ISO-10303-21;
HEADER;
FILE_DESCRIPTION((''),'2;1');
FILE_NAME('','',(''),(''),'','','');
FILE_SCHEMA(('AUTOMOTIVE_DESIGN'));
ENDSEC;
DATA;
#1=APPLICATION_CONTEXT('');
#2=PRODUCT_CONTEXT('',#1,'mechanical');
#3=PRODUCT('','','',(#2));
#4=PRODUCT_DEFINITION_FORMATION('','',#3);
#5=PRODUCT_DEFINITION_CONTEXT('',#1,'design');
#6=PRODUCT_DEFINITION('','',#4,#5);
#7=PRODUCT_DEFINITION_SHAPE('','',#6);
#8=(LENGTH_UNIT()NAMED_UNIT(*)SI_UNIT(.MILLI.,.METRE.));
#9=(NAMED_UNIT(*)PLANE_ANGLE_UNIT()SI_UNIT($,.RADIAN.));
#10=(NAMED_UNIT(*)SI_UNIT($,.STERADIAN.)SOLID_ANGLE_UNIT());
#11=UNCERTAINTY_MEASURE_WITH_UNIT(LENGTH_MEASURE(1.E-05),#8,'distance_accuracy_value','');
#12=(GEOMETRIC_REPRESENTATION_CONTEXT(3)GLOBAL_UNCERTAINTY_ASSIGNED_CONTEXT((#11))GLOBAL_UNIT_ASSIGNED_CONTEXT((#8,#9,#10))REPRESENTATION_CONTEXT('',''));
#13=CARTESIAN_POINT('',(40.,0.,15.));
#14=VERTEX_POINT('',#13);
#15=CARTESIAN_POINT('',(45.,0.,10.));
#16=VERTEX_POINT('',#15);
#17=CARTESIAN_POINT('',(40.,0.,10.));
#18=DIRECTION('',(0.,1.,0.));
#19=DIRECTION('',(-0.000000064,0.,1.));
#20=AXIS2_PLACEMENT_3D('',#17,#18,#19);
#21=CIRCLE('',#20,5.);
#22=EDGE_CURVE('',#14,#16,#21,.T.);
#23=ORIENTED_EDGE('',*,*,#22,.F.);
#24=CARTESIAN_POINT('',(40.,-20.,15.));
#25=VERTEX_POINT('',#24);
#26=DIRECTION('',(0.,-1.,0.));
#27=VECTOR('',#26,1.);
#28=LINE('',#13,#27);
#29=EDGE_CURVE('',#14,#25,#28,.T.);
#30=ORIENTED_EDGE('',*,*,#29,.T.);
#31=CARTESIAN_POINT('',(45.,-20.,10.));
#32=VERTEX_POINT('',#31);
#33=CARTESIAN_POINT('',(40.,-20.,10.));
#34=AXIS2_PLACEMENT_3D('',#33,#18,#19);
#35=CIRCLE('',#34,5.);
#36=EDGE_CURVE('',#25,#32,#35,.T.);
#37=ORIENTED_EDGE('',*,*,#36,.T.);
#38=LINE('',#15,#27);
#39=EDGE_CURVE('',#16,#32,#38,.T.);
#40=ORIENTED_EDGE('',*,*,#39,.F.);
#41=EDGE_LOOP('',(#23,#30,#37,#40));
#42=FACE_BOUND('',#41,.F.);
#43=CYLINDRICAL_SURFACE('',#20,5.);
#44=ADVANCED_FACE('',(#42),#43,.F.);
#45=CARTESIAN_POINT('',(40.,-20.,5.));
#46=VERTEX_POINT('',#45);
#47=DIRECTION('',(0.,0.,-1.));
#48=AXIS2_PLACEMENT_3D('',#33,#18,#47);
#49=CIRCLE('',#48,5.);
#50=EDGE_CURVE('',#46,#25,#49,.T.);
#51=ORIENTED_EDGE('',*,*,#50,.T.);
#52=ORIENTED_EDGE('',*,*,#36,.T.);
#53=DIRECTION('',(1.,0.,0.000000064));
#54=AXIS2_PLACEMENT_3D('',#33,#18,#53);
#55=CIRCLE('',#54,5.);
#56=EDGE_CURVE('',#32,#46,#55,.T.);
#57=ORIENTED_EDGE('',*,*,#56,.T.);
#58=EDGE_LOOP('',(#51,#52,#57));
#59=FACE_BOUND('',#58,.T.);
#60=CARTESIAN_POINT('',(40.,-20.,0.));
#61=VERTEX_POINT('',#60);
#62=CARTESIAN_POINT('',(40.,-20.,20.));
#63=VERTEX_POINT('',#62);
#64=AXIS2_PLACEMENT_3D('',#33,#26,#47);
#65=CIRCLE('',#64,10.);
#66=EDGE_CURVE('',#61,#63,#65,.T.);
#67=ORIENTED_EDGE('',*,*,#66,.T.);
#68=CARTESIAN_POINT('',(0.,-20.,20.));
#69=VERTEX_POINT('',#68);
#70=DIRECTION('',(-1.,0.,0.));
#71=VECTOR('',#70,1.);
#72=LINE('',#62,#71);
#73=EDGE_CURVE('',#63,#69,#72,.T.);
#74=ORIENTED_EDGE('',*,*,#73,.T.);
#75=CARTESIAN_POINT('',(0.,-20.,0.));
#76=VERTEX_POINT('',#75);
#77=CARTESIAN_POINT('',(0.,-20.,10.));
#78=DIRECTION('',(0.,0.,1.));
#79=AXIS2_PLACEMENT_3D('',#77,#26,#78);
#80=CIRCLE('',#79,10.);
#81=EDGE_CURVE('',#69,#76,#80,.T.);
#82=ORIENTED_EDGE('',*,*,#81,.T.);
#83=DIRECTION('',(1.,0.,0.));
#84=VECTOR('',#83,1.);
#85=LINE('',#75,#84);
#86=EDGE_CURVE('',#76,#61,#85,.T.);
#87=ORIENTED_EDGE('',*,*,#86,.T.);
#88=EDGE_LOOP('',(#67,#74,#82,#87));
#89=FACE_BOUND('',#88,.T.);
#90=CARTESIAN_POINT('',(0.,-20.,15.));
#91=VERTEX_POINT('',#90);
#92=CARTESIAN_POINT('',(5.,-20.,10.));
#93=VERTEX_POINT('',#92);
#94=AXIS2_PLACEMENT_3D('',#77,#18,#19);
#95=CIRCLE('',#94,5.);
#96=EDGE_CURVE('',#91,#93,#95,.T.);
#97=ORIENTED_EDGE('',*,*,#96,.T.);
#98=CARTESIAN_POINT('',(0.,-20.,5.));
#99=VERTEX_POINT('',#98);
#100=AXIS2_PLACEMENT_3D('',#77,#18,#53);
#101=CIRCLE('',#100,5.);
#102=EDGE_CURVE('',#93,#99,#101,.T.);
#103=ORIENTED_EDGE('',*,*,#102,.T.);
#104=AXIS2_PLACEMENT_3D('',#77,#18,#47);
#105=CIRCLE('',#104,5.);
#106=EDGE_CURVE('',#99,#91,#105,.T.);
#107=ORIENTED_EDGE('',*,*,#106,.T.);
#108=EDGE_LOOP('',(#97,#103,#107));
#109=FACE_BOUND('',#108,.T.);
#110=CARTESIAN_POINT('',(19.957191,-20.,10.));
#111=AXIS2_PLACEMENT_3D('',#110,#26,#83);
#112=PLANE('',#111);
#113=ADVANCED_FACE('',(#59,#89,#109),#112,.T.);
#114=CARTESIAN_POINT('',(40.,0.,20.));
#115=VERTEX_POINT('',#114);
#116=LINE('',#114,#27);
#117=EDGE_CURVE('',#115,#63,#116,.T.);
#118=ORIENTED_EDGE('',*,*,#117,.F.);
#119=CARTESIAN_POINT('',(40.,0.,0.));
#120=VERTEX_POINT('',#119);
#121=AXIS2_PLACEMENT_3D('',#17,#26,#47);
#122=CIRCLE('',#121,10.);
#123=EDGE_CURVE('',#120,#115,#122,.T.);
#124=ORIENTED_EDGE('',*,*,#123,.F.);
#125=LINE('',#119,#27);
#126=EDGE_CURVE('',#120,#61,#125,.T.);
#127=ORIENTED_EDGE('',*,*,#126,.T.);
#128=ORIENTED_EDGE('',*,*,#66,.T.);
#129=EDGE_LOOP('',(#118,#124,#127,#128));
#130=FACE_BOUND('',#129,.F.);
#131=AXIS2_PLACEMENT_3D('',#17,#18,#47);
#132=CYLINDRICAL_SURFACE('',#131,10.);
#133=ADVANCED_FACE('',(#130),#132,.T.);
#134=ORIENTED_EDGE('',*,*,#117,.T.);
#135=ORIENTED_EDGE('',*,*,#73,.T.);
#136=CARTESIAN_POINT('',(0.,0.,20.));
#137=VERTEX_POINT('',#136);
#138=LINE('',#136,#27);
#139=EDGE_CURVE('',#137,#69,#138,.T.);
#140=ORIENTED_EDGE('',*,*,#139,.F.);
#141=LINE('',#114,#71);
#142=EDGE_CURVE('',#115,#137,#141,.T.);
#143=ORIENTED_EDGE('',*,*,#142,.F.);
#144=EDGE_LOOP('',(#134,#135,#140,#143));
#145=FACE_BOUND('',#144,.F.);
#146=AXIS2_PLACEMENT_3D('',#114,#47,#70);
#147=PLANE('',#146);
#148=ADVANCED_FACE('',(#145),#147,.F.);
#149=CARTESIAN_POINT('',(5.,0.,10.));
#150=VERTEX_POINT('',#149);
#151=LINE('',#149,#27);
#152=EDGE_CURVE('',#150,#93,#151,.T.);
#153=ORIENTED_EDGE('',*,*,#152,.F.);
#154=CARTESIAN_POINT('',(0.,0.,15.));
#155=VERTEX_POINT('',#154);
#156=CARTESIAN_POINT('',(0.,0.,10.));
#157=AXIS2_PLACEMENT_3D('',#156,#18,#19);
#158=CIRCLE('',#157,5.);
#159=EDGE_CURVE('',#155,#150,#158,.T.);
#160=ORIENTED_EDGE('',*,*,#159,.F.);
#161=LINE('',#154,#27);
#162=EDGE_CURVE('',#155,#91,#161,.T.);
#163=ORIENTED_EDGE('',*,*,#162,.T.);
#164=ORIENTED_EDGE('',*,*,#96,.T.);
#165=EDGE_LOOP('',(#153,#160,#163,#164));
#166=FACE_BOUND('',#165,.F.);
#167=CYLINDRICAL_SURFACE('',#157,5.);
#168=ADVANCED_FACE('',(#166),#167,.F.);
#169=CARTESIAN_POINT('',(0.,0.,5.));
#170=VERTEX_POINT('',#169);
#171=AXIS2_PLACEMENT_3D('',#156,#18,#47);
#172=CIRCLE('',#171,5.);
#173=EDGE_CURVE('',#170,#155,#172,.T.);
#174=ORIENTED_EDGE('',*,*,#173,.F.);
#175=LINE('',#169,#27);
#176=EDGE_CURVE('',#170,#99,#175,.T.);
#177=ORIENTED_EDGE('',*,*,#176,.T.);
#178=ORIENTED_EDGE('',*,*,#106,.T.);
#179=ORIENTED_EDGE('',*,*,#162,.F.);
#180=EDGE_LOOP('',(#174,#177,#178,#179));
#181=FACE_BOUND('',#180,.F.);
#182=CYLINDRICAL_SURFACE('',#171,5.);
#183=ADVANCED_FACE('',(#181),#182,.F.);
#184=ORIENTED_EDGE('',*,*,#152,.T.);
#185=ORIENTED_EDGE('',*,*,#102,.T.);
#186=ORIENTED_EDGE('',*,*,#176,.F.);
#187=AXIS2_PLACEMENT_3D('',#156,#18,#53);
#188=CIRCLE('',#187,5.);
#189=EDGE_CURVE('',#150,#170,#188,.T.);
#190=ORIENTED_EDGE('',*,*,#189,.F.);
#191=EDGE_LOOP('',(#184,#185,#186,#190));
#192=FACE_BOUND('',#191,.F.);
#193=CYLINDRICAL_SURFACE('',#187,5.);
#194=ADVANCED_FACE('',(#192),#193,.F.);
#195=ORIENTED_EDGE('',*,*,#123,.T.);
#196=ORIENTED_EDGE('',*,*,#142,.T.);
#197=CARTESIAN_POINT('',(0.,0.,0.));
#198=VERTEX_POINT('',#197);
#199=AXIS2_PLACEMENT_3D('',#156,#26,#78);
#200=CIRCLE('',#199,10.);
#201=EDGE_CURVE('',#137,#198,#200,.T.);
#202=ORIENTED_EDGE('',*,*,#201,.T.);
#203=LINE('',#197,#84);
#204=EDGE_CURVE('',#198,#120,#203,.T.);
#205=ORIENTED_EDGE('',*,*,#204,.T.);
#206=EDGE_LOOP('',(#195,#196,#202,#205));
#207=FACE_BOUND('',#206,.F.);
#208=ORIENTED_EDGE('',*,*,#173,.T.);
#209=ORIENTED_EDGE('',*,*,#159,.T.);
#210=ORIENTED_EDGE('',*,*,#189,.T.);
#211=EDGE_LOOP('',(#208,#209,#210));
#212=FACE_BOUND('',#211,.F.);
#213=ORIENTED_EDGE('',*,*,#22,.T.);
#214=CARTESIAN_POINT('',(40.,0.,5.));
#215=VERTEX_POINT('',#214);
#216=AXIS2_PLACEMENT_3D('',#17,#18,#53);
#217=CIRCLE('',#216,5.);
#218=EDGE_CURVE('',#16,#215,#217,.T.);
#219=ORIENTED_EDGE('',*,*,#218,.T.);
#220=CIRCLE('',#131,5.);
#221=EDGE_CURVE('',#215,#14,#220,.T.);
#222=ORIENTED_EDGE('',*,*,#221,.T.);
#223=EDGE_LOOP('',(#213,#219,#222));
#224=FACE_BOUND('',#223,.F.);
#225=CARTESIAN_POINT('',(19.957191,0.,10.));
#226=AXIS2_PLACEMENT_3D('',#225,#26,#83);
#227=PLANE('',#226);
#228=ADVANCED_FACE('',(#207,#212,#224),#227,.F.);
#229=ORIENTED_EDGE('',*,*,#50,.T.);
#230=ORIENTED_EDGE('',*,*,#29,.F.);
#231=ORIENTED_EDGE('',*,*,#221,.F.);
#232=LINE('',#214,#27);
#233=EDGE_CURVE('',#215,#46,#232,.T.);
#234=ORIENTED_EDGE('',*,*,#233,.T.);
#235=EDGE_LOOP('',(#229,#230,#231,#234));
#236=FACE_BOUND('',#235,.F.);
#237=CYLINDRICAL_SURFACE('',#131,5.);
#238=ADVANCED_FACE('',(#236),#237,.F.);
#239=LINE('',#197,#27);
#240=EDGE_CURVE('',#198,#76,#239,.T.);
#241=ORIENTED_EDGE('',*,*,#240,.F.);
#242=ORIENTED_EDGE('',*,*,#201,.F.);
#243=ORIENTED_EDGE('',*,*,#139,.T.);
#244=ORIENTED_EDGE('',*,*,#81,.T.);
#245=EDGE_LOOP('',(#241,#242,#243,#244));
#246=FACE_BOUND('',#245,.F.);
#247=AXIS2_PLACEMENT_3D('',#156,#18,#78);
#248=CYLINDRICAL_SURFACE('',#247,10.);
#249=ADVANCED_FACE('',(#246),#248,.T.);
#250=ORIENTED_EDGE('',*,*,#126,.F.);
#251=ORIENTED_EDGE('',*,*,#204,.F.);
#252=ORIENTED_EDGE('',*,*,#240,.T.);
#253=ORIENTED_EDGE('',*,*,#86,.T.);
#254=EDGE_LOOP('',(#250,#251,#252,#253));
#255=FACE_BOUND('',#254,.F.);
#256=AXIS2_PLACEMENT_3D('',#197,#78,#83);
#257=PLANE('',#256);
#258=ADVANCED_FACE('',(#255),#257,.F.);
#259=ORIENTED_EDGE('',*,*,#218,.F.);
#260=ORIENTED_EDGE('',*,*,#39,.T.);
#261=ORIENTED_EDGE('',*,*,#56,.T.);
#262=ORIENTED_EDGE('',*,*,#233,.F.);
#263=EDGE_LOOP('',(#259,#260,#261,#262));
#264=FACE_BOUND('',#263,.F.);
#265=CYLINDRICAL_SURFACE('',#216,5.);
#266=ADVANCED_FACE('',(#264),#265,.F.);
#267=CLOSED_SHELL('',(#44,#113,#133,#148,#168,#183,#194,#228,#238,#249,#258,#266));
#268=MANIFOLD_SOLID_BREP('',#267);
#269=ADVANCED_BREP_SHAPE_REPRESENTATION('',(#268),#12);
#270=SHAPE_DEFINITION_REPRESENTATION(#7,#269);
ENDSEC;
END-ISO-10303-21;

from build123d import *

# Parameters (mm, degrees)
F1_DEPTH = 20


with BuildPart() as f1:
    # F0 (on Front) → F1 (new body)
    with BuildSketch(Plane.XZ):
        with BuildLine():
            Line((0, 5), (0, 0))
            Line((0, 0), (40, 0))
            Line((40, 0), (40, 5))
            ThreePointArc((40, 5), (35, 10), (40, 15))
            Line((40, 15), (40, 20))
            Line((40, 20), (0, 20))
            Line((0, 20), (0, 15))
            ThreePointArc((0, 15), (3.535534, 13.535534), (5, 10))
            ThreePointArc((5, 10), (3.535534, 6.464466), (0, 5))
        make_face()
        with BuildLine():
            ThreePointArc((0, 20), (-10, 10), (0, 0))
            Line((0, 0), (0, 5))
            ThreePointArc((0, 5), (-5, 10), (0, 15))
            Line((0, 15), (0, 20))
        make_face()
        with BuildLine():
            Line((40, 5), (40, 0))
            ThreePointArc((40, 0), (50, 10), (40, 20))
            Line((40, 20), (40, 15))
            ThreePointArc((40, 15), (43.535534, 13.535534), (45, 10))
            ThreePointArc((45, 10), (43.535534, 6.464466), (40, 5))
        make_face()
    extrude(amount=F1_DEPTH)


solid = f1.part
